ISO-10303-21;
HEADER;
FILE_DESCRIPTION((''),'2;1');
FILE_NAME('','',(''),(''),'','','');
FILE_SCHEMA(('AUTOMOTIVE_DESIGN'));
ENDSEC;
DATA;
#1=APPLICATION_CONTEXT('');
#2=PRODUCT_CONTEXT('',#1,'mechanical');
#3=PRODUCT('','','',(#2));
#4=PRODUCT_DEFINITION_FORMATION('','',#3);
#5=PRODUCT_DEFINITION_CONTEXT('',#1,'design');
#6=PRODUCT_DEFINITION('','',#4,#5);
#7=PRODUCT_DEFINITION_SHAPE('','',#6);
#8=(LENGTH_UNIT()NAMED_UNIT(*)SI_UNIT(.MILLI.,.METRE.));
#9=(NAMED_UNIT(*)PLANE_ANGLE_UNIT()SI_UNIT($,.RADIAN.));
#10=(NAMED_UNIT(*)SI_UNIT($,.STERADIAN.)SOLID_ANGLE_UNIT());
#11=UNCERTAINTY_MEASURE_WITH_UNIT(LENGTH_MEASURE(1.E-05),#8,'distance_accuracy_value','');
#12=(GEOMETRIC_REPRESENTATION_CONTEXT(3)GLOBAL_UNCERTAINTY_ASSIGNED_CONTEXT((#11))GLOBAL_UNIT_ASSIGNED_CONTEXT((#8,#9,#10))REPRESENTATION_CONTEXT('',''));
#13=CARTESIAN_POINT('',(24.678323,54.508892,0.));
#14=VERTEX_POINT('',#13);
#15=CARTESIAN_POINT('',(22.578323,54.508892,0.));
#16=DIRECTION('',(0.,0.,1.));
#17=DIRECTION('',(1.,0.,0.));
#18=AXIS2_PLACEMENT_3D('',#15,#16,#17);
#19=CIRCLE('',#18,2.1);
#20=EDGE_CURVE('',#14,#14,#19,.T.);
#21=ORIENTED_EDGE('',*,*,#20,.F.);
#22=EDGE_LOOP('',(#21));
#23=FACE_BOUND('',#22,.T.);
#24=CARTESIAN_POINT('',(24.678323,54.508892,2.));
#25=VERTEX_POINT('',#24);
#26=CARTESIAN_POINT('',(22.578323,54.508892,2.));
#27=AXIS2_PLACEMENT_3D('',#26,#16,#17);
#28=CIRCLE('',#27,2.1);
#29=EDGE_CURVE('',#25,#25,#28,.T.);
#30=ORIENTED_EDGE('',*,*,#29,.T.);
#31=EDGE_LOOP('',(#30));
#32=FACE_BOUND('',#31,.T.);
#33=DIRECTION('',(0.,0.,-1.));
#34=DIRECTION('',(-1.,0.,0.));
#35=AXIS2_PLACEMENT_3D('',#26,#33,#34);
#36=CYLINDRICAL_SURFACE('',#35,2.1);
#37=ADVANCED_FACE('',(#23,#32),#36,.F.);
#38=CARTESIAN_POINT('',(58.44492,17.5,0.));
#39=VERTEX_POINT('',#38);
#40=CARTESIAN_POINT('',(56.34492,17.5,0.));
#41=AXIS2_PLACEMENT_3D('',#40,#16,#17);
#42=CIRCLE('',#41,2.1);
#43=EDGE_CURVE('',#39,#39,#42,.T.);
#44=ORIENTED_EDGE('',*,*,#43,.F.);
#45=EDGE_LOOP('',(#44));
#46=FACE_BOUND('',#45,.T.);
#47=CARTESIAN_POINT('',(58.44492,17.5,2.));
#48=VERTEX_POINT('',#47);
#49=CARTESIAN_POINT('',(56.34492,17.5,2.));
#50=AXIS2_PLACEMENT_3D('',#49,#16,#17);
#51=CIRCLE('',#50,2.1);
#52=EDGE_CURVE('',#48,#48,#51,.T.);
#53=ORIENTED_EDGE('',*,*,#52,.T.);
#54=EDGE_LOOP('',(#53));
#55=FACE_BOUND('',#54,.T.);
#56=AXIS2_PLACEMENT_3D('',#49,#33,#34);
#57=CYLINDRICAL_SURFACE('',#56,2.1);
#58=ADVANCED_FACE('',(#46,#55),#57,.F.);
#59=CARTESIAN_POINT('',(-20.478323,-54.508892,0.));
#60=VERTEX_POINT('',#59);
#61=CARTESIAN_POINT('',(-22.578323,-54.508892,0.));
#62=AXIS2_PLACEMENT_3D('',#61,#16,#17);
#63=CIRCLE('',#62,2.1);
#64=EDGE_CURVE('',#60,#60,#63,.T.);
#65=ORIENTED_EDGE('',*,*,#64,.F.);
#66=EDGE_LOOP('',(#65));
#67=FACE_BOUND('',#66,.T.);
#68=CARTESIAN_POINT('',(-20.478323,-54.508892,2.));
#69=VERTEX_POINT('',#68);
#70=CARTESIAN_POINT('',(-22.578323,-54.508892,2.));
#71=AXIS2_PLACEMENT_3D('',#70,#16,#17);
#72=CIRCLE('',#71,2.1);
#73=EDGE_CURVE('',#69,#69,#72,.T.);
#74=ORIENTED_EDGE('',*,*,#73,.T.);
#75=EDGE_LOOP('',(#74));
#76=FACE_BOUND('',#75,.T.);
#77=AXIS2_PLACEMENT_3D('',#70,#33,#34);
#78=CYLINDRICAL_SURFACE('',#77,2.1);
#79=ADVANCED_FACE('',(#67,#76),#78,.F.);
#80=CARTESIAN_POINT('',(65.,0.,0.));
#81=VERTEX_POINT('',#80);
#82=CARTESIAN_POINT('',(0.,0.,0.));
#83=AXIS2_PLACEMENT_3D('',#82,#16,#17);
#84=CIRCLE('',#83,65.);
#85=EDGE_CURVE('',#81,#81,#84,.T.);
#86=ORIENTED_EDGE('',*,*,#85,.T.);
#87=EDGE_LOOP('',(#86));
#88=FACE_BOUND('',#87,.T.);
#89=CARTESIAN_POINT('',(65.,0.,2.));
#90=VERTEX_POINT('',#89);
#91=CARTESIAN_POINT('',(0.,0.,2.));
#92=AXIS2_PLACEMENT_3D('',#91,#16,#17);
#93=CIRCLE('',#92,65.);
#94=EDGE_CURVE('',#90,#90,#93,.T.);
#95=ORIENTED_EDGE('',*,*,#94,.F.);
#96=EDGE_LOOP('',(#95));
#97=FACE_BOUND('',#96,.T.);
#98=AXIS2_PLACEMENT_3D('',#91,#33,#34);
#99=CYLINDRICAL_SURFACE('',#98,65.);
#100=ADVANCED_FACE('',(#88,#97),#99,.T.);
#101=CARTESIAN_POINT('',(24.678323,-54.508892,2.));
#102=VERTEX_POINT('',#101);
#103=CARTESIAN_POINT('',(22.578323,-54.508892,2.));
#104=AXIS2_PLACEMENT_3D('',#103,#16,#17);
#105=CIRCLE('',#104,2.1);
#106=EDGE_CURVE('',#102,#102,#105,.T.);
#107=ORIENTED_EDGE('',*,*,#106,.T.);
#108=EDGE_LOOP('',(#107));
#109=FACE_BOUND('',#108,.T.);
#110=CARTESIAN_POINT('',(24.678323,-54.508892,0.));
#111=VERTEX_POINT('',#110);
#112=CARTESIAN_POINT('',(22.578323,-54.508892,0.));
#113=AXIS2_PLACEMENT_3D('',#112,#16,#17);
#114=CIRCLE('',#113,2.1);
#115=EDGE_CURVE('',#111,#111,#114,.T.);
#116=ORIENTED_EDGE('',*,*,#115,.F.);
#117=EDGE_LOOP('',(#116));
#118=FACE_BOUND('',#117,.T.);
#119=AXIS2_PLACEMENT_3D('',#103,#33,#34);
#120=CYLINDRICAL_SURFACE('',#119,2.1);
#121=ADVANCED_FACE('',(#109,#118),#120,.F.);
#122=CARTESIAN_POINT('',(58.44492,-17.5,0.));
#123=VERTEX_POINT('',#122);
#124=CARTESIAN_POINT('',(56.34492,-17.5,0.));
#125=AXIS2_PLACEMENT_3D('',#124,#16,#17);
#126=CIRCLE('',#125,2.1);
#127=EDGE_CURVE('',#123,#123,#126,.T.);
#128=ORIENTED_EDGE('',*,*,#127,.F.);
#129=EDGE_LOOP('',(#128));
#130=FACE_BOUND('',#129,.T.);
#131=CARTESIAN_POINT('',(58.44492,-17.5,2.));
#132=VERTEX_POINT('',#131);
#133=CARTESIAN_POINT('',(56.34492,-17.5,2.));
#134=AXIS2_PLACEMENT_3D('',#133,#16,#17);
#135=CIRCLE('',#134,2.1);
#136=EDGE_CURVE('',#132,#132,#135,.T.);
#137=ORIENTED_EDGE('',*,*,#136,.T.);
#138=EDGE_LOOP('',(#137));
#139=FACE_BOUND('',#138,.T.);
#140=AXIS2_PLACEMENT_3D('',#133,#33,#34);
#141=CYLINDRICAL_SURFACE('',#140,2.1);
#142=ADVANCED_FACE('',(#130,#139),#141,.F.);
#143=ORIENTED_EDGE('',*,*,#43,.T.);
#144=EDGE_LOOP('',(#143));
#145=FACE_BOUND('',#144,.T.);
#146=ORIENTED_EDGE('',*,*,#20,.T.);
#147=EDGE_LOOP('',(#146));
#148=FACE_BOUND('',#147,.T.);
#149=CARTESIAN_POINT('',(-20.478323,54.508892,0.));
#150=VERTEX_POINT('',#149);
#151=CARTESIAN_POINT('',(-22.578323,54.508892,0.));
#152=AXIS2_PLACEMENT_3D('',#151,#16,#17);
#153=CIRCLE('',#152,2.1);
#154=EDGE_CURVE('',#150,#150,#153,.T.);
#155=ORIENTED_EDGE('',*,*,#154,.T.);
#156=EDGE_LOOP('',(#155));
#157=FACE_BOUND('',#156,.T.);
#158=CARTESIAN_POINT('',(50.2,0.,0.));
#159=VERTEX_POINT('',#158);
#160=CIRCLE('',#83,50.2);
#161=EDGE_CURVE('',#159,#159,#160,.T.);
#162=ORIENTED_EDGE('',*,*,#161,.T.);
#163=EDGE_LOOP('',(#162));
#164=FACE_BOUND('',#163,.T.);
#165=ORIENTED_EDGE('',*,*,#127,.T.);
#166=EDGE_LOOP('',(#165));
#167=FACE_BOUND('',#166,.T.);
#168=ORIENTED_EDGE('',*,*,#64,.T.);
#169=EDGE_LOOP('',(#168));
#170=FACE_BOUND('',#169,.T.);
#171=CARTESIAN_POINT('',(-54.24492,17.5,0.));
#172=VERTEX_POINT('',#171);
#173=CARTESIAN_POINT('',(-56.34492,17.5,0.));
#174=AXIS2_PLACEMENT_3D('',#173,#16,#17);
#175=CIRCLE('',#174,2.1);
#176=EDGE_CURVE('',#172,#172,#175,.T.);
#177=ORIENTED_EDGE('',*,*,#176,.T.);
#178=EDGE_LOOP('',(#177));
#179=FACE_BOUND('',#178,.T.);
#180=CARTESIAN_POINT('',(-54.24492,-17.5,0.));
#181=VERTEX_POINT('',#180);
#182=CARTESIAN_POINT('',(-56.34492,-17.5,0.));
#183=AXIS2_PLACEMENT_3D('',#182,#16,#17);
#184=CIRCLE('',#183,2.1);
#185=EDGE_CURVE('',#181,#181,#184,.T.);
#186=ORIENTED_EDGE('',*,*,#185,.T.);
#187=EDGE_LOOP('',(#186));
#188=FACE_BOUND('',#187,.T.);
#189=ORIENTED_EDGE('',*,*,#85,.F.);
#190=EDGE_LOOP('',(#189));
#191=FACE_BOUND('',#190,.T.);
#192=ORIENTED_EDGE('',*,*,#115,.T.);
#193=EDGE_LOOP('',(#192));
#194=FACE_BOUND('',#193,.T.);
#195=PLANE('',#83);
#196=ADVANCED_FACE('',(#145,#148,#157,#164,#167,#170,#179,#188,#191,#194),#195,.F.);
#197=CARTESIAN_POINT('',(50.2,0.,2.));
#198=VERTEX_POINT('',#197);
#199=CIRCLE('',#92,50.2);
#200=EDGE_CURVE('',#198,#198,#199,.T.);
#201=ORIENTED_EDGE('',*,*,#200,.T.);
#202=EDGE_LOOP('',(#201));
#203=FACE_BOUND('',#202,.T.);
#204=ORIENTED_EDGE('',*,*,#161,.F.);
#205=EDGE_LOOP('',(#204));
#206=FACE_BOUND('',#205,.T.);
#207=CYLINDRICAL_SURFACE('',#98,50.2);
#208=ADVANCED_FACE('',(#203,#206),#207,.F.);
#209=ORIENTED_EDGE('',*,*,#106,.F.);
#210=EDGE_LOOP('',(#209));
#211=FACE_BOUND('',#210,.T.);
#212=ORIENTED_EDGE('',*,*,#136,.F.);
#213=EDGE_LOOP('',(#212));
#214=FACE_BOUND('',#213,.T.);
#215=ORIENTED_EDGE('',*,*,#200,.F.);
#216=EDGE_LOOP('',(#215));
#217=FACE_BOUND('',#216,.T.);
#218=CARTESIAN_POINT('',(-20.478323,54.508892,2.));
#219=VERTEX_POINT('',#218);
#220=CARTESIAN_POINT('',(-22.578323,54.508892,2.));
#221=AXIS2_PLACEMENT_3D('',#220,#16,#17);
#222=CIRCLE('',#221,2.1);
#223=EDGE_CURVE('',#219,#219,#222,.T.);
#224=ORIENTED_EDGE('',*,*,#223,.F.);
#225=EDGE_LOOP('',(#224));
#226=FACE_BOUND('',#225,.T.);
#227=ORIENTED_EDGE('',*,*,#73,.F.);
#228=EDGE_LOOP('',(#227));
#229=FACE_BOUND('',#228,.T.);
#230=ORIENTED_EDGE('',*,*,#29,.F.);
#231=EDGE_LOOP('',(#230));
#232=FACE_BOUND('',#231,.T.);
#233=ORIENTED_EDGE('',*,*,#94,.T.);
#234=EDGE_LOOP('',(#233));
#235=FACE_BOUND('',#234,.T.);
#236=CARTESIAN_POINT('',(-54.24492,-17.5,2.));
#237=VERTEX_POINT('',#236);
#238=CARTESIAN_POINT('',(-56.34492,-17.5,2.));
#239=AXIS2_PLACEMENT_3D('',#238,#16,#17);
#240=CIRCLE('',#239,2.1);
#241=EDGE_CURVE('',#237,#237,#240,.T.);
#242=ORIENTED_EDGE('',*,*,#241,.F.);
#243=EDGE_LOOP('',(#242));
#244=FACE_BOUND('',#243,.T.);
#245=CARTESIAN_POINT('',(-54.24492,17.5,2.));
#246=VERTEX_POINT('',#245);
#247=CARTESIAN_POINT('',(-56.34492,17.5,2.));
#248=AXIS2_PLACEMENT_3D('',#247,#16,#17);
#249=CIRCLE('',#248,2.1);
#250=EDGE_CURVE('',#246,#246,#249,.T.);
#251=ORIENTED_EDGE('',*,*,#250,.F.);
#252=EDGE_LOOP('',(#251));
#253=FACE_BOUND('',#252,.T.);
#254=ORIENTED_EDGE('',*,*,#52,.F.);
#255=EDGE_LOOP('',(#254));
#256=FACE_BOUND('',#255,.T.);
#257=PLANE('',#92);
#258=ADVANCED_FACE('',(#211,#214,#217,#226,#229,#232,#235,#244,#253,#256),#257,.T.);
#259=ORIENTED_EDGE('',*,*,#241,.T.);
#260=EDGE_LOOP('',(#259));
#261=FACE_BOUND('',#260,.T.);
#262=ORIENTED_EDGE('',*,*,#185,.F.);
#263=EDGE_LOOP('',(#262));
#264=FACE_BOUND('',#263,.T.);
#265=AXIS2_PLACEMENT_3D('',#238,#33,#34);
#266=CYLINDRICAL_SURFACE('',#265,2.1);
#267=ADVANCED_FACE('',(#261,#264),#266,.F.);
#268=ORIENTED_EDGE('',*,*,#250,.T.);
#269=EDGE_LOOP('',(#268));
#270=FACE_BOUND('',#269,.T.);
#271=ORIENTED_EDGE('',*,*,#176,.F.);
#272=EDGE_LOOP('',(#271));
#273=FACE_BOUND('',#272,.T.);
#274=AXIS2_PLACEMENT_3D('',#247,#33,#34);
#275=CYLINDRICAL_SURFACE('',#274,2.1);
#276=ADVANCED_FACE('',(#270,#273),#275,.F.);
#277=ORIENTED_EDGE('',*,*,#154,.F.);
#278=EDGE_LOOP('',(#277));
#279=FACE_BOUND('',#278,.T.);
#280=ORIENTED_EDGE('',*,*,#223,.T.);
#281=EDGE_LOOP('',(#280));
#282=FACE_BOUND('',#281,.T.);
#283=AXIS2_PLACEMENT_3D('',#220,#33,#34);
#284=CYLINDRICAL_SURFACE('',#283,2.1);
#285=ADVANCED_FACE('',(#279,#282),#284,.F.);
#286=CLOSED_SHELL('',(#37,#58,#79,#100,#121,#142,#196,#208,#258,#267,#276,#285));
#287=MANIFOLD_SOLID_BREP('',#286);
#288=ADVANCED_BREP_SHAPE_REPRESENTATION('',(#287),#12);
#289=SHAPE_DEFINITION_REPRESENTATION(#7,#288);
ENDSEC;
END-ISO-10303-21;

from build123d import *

# Parameters (mm, degrees)
SKETCH_1_R      = 65
SKETCH_1_R_2    = 50.2
SKETCH_1_R_3    = 2.1
EXTRUDE_1_DEPTH = 2


with BuildPart() as part:
    # 草图1 → 凸台-拉伸1 (new body)
    with BuildSketch(Plane.XY):
        Circle(SKETCH_1_R)
        Circle(SKETCH_1_R_2, mode=Mode.SUBTRACT)
        with Locations((22.57832251, 54.508892418)):
            Circle(SKETCH_1_R_3, mode=Mode.SUBTRACT)
        with Locations((22.57832251, -54.508892418)):
            Circle(SKETCH_1_R_3, mode=Mode.SUBTRACT)
        with Locations((-22.57832251, -54.508892418)):
            Circle(SKETCH_1_R_3, mode=Mode.SUBTRACT)
        with Locations((-22.57832251, 54.508892418)):
            Circle(SKETCH_1_R_3, mode=Mode.SUBTRACT)
        with Locations((56.344919913, 17.5)):
            Circle(SKETCH_1_R_3, mode=Mode.SUBTRACT)
        with Locations((56.344919913, -17.5)):
            Circle(SKETCH_1_R_3, mode=Mode.SUBTRACT)
        with Locations((-56.344919913, 17.5)):
            Circle(SKETCH_1_R_3, mode=Mode.SUBTRACT)
        with Locations((-56.344919913, -17.5)):
            Circle(SKETCH_1_R_3, mode=Mode.SUBTRACT)
    extrude(amount=EXTRUDE_1_DEPTH)


solid = part.part
